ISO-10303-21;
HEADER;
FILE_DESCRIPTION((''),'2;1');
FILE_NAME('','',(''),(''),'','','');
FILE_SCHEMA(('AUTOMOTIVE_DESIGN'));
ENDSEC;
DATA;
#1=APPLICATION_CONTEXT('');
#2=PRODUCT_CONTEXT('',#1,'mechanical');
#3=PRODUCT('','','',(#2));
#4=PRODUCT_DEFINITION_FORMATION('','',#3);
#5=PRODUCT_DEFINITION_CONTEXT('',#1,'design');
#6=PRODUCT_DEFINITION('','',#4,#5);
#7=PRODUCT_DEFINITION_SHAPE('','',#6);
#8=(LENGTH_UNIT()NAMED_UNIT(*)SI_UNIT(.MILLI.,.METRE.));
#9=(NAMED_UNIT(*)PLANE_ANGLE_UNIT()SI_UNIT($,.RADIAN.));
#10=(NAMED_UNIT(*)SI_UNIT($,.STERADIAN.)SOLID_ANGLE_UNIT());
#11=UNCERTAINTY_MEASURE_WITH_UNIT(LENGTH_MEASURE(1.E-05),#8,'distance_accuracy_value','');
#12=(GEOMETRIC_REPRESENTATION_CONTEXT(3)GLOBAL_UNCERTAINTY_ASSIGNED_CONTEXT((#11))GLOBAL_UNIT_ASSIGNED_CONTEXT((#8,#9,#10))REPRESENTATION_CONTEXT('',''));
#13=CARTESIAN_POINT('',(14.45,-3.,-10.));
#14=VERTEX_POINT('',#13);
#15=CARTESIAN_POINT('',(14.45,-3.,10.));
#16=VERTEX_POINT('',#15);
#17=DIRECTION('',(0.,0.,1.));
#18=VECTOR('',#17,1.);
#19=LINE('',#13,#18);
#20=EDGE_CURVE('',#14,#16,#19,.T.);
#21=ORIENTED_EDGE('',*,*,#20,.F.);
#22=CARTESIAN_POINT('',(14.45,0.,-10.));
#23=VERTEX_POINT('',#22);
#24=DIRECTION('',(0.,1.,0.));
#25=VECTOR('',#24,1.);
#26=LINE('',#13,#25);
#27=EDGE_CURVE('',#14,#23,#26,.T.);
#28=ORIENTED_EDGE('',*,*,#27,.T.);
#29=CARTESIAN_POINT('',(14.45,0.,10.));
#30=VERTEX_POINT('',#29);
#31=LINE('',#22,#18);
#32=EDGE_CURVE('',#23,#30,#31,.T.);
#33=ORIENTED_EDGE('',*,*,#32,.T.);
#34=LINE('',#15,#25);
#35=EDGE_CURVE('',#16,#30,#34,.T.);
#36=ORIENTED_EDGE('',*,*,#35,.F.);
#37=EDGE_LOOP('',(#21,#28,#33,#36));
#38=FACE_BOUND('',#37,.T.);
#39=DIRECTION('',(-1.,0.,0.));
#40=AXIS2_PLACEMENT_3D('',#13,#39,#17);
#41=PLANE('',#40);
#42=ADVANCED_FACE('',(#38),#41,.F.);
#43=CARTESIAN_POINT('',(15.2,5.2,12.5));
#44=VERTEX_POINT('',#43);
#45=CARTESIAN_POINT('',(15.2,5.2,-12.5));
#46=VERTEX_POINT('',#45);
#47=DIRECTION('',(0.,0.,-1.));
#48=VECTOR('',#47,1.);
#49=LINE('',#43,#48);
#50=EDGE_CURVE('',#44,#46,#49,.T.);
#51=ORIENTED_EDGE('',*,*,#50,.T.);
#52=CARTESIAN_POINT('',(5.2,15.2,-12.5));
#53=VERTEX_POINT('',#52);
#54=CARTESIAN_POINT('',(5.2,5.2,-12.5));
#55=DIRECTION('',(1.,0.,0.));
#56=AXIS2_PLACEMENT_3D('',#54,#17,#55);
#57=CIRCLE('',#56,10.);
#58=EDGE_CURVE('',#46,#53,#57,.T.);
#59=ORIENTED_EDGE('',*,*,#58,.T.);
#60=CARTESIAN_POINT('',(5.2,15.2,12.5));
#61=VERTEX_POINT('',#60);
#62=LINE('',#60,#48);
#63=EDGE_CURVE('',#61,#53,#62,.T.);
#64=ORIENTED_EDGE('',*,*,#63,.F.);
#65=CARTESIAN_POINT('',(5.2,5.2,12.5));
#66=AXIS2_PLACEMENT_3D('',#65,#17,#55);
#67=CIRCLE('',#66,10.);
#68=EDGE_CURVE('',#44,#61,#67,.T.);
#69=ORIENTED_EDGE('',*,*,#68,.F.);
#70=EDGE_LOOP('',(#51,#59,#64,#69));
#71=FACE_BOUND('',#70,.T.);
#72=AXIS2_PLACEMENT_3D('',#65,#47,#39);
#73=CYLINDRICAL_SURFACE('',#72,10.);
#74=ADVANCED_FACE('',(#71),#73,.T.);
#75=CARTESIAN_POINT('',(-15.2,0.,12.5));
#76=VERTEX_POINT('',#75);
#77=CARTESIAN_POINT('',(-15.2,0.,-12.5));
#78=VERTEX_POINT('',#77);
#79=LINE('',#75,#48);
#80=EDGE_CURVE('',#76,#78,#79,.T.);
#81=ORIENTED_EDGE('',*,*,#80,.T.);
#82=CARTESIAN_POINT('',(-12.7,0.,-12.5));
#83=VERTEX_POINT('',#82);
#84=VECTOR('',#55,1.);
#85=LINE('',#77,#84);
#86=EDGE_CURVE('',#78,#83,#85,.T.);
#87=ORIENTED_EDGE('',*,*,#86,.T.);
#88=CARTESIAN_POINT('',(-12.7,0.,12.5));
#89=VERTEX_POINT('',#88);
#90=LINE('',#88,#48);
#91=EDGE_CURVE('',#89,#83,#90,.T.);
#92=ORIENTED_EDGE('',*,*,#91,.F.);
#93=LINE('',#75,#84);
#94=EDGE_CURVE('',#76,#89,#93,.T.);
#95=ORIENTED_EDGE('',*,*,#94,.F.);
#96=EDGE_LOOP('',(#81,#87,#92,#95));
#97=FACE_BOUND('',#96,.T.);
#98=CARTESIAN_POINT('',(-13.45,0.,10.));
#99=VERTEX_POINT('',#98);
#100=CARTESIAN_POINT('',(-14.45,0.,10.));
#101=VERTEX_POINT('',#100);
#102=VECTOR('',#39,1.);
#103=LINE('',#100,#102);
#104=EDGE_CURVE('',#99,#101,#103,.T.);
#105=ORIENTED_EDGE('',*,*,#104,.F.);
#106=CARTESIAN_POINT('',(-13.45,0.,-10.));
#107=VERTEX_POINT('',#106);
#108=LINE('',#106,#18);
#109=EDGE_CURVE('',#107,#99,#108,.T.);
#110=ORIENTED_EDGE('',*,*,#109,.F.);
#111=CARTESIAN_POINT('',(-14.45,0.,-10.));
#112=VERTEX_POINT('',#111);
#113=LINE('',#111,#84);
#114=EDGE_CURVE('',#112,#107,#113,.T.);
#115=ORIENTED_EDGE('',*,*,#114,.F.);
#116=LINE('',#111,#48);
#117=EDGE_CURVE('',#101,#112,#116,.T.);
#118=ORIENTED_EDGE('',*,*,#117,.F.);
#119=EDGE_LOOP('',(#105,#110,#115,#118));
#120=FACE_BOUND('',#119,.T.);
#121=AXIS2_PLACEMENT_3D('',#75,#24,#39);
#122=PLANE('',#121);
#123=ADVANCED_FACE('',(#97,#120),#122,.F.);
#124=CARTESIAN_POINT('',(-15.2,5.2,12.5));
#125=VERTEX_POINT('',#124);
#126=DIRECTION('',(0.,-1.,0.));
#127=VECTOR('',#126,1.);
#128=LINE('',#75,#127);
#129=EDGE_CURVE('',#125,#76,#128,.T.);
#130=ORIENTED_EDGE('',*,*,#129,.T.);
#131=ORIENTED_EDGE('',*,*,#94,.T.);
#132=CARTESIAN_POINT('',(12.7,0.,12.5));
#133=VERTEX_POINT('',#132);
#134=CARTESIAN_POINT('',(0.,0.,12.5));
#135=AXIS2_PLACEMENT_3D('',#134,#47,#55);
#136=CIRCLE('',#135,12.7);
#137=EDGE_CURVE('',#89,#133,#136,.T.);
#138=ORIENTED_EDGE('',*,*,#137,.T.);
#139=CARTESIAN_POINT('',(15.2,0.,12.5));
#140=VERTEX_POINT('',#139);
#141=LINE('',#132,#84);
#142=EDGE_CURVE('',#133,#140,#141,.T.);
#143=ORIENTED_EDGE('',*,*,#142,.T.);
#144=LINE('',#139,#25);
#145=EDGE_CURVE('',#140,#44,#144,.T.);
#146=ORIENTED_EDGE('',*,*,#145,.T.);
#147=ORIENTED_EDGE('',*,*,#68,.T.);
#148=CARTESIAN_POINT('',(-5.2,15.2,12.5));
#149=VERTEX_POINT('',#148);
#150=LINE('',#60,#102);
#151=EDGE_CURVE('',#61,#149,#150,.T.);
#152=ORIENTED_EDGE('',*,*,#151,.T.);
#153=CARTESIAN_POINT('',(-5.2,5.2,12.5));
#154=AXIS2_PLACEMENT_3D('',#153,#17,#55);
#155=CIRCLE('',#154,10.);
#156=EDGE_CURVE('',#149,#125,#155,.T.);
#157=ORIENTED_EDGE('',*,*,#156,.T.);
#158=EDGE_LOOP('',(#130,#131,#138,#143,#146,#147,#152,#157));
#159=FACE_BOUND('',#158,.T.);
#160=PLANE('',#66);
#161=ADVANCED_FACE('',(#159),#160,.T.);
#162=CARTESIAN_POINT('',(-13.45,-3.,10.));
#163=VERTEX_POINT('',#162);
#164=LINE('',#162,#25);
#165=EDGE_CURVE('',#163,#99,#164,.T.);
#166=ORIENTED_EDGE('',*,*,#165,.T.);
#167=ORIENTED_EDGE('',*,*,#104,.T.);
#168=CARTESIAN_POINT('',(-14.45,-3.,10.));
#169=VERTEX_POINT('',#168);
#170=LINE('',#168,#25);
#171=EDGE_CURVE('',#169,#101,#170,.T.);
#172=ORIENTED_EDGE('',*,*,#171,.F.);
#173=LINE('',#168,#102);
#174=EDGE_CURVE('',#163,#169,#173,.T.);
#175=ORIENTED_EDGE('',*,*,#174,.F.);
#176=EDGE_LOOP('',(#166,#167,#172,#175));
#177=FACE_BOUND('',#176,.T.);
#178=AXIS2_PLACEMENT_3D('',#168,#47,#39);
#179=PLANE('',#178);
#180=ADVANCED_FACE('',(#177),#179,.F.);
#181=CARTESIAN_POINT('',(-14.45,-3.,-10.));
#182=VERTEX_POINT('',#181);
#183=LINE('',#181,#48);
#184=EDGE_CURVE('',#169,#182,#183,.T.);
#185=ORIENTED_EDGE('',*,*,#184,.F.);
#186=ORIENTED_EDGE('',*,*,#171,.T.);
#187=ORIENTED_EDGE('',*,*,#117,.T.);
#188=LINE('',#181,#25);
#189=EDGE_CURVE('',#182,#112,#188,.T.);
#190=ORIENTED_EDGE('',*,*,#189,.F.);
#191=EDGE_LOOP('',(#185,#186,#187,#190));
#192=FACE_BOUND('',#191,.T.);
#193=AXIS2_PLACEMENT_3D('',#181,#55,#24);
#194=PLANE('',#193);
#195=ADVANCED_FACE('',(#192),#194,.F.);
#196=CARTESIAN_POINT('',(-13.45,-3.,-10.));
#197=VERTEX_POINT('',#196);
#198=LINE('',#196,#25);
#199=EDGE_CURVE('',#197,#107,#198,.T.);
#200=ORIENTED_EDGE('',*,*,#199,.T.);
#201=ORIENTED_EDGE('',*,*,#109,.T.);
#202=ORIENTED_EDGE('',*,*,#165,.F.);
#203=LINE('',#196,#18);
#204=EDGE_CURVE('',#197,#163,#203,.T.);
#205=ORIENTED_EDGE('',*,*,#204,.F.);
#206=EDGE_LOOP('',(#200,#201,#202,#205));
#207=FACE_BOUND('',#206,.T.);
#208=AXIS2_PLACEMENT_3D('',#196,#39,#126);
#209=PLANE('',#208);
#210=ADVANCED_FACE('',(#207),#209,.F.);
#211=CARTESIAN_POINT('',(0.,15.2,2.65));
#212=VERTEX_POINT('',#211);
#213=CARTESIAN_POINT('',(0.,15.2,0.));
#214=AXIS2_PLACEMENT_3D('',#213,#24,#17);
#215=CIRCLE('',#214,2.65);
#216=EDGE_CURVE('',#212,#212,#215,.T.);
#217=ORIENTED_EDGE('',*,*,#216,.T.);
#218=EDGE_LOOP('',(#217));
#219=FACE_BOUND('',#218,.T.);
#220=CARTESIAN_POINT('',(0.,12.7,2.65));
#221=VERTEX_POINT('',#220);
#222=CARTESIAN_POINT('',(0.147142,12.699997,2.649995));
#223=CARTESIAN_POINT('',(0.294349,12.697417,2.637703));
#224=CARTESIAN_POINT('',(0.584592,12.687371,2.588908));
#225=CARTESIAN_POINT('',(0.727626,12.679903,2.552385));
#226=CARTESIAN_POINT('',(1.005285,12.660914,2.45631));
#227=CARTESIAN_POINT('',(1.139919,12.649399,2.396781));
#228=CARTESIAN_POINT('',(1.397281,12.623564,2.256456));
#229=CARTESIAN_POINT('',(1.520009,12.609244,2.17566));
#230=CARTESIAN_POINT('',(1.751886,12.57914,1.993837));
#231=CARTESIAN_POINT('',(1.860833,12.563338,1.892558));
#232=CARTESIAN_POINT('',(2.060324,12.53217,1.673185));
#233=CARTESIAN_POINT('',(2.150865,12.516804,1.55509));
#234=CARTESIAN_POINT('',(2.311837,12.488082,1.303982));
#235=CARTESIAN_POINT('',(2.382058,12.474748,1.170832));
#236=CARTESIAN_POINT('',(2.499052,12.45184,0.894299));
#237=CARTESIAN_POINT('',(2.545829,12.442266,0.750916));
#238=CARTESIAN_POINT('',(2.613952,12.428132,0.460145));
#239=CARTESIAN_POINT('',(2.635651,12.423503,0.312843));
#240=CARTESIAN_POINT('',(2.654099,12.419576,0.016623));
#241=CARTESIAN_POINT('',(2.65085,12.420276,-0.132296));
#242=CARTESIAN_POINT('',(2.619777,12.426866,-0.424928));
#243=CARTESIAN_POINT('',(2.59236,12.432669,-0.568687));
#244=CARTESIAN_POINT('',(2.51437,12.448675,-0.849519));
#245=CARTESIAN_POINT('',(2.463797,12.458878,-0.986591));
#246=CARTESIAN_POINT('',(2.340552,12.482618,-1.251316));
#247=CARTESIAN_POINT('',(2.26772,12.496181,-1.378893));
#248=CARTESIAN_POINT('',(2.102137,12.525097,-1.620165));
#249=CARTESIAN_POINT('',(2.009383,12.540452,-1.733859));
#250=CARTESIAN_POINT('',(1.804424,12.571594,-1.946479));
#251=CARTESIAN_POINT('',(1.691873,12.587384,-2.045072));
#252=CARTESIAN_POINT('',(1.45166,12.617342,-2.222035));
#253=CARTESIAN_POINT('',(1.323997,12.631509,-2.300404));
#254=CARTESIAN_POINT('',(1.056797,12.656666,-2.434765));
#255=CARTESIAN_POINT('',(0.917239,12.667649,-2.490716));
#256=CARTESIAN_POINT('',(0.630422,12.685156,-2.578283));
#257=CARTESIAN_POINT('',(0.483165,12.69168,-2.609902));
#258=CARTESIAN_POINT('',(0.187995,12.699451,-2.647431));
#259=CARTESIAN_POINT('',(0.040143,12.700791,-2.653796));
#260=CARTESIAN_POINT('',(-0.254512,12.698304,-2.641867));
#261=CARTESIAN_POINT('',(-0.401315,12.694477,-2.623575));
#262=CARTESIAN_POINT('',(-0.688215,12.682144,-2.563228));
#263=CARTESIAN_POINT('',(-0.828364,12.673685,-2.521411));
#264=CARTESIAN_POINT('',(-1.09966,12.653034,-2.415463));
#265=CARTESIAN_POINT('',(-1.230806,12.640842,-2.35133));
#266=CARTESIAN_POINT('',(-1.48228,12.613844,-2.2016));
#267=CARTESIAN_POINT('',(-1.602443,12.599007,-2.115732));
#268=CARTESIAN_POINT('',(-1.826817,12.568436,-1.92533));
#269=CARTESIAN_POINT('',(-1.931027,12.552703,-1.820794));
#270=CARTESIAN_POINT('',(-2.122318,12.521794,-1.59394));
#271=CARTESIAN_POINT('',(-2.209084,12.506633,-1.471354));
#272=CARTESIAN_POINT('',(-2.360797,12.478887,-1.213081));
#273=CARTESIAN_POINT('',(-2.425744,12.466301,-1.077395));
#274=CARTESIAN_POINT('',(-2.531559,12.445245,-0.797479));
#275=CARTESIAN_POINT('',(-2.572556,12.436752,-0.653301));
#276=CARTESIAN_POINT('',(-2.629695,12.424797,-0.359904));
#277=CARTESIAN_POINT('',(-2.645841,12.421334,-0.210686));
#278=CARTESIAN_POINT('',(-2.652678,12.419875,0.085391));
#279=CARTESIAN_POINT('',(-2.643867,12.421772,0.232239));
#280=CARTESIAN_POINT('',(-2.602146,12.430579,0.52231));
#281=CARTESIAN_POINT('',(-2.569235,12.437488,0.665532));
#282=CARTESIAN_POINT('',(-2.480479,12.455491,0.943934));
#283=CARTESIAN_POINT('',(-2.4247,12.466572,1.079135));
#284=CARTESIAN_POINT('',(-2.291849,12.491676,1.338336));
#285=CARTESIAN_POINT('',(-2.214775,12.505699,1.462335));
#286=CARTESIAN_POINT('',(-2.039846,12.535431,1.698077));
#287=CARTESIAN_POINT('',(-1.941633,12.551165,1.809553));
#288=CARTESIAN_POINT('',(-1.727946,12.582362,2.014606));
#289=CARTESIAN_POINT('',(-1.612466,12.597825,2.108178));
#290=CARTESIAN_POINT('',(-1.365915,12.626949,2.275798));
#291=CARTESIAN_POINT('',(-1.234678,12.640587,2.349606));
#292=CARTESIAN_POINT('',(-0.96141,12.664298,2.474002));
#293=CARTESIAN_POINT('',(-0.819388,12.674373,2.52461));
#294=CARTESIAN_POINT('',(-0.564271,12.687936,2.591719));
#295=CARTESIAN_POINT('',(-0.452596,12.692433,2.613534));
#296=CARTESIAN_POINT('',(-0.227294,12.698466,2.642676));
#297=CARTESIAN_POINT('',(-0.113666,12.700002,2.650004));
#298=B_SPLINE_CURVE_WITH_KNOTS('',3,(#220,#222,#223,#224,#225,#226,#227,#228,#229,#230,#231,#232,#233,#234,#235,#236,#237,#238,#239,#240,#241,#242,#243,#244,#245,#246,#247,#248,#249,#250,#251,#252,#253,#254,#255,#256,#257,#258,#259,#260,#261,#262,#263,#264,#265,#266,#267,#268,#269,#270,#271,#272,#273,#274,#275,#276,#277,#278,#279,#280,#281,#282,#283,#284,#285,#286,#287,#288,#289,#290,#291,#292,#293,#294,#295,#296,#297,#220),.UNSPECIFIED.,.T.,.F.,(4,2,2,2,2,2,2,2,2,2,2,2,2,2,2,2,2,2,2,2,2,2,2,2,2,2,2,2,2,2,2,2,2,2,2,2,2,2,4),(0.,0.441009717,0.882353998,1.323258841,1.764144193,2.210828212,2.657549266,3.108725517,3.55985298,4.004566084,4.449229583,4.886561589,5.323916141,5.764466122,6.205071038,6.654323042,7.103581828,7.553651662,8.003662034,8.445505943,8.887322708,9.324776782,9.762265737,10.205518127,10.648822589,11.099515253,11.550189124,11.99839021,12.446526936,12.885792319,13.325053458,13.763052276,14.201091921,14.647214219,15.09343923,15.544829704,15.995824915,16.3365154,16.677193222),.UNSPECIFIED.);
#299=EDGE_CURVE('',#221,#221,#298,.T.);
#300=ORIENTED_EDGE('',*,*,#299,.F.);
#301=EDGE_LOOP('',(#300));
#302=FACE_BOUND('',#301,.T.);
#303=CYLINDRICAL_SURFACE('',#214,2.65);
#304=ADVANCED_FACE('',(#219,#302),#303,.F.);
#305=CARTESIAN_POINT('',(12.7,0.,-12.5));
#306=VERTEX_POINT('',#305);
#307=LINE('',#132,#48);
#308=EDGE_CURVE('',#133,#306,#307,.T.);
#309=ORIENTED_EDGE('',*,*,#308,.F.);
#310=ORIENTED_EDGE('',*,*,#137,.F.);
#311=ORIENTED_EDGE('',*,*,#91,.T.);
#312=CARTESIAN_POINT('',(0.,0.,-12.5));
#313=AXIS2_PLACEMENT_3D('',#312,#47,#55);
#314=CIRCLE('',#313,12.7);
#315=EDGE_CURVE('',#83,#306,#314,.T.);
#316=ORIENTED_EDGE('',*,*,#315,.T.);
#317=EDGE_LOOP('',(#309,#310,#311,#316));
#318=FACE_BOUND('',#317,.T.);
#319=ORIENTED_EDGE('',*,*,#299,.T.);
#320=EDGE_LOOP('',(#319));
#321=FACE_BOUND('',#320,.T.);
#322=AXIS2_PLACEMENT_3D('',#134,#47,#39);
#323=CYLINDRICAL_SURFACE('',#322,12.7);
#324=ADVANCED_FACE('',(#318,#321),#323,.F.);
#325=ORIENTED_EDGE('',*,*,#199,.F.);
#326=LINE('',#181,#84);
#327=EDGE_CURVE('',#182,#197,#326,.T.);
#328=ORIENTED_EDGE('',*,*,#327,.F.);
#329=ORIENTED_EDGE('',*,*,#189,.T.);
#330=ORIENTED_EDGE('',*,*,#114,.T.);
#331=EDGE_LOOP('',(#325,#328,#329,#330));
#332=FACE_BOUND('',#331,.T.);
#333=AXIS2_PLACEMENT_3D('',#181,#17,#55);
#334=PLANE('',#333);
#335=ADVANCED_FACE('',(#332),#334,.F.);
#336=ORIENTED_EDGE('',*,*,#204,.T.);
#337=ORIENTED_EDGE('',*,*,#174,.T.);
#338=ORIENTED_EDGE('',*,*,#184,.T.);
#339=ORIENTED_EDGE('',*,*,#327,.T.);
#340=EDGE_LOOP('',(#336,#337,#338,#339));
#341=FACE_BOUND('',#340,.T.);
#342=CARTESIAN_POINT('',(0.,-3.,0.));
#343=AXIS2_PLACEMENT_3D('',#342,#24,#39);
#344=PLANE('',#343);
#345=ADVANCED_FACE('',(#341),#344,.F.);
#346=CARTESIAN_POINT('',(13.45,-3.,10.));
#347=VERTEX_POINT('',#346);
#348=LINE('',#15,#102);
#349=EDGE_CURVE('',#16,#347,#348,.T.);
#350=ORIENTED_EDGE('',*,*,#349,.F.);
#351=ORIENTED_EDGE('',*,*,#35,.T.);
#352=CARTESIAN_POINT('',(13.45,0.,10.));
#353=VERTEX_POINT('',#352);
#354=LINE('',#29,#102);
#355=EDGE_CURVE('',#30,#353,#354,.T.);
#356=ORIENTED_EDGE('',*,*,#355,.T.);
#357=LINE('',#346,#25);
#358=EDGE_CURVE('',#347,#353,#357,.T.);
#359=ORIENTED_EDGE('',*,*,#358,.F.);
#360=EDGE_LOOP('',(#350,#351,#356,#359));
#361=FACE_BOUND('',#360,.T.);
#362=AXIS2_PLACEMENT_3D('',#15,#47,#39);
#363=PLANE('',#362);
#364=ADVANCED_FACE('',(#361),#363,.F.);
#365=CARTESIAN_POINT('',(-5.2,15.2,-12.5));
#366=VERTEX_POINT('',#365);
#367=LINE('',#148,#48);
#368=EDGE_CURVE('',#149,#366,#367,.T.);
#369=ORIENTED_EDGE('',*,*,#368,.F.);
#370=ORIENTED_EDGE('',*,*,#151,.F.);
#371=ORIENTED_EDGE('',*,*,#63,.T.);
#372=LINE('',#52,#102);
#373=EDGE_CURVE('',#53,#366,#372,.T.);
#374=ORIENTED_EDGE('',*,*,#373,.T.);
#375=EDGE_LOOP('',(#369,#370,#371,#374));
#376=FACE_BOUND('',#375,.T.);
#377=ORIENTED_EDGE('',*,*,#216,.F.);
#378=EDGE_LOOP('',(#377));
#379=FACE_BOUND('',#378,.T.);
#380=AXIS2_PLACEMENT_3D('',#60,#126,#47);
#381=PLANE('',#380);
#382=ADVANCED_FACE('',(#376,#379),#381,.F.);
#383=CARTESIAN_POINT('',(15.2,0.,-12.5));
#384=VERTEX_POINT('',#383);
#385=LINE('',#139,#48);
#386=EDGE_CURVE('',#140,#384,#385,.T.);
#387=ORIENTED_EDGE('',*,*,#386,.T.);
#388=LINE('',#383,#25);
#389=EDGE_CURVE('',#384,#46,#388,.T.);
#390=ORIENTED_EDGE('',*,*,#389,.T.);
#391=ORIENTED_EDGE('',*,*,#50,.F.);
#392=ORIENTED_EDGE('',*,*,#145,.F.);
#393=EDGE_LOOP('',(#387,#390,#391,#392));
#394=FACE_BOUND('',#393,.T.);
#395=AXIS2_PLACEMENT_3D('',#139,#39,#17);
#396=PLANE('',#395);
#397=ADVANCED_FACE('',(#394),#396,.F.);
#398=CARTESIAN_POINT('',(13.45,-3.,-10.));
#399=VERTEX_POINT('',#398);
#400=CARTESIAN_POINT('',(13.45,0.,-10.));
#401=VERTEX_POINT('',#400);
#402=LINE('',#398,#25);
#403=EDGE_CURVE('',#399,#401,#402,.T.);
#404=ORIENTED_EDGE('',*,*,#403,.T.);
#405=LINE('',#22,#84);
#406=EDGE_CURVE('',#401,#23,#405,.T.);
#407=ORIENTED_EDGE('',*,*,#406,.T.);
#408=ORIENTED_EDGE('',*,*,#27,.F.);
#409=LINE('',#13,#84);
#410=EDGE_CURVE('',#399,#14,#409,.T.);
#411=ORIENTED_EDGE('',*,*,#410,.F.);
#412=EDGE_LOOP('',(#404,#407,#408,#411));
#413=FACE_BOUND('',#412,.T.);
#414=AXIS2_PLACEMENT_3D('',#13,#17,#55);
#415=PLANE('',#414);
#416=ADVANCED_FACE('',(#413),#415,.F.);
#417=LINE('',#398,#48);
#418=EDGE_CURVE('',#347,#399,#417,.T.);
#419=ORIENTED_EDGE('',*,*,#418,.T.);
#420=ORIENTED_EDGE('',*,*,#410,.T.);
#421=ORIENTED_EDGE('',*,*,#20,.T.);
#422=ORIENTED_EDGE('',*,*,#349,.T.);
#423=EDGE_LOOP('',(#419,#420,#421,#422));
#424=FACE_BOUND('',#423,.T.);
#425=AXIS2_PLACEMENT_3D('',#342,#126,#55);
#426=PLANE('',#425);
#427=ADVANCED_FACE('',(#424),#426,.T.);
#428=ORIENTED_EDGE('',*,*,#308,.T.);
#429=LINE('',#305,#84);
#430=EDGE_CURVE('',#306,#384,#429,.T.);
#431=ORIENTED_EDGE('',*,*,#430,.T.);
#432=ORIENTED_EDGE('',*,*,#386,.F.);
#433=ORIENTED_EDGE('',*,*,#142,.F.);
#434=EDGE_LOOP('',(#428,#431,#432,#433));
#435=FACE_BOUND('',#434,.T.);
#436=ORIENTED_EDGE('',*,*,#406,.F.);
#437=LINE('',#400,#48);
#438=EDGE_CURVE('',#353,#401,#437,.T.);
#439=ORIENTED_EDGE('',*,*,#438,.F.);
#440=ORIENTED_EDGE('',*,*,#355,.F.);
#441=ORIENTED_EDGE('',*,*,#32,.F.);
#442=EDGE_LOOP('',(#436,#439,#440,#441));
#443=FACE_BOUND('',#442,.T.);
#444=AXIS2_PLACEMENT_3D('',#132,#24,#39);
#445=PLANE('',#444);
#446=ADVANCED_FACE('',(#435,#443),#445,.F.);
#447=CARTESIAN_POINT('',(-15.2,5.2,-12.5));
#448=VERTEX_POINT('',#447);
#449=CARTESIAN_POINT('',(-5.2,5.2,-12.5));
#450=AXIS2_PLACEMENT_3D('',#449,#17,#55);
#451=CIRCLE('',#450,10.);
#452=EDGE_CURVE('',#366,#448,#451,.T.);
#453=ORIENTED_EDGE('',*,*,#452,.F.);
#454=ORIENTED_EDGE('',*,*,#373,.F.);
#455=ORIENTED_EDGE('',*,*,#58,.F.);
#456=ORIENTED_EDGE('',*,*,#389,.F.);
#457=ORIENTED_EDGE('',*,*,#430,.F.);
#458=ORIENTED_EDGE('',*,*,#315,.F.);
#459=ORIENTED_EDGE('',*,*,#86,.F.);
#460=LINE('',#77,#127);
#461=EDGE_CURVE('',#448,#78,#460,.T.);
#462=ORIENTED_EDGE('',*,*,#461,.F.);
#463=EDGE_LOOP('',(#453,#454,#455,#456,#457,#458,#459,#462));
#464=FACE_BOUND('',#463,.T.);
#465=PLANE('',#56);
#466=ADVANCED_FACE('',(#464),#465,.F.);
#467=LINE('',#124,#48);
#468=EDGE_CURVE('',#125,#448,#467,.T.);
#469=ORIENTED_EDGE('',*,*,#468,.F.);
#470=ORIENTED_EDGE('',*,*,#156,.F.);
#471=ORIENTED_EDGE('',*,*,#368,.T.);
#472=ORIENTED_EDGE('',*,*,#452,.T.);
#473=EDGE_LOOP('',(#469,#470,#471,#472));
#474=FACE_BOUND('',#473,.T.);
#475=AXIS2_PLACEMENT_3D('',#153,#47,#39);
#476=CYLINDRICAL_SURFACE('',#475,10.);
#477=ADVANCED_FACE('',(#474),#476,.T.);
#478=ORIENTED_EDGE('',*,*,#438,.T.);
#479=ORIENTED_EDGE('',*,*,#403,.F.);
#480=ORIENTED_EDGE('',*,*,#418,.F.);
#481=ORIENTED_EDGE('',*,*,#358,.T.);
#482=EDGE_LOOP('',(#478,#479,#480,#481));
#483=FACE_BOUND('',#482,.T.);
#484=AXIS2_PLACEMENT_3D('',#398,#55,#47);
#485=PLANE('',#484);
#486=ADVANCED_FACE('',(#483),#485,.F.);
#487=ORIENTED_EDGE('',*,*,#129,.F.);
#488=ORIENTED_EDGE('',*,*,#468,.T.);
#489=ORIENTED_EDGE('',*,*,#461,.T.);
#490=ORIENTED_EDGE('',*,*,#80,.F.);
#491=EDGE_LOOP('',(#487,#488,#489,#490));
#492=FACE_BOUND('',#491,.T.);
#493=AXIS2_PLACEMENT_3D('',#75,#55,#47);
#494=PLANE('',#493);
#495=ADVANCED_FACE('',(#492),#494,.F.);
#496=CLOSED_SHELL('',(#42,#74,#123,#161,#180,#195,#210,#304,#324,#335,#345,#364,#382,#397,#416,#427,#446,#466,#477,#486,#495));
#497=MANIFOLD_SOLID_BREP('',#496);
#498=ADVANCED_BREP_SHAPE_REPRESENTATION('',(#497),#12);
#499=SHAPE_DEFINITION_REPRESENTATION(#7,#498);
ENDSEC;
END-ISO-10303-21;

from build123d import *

# Parameters (mm, degrees)
BOSS_EXTRUDE1_DEPTH  = 12.5
M5_CLEARANCE_HOLE1_D = 5.3
SKETCH4_W            = 1
SKETCH4_H            = 20
BOSS_EXTRUDE2_DEPTH  = 3


with BuildPart() as part:
    # Sketch1 → Boss-Extrude1 (new body, symmetric)
    with BuildSketch(Plane.XY):
        with BuildLine():
            Line((-15.2, 0), (-12.7, 0))
            ThreePointArc((-12.7, 0), (0, 12.7), (12.7, 0))
            Line((12.7, 0), (15.2, 0))
            Line((15.2, 0), (15.2, 5.2))
            ThreePointArc((15.2, 5.2), (12.271067812, 12.271067812), (5.2, 15.2))
            Line((5.2, 15.2), (-5.2, 15.2))
            ThreePointArc((-5.2, 15.2), (-12.271067812, 12.271067812), (-15.2, 5.2))
            Line((-15.2, 5.2), (-15.2, 0))
        make_face()
    extrude(amount=BOSS_EXTRUDE1_DEPTH, both=True)

    # M5 Clearance Hole1 (through all)
    with Locations(Plane(origin=(0, 15.2, 0), x_dir=(1, 0, 0), z_dir=(0, 1, 0))):
        with Locations((0, 0)):
            Hole(M5_CLEARANCE_HOLE1_D / 2)

    # Sketch4 → Boss-Extrude2 (add)
    with BuildSketch(Plane.XZ):
        with Locations((-13.95, 0)):
            Rectangle(SKETCH4_W, SKETCH4_H)
        with Locations((13.95, 0)):
            Rectangle(SKETCH4_W, SKETCH4_H)
    extrude(amount=BOSS_EXTRUDE2_DEPTH)


solid = part.part
